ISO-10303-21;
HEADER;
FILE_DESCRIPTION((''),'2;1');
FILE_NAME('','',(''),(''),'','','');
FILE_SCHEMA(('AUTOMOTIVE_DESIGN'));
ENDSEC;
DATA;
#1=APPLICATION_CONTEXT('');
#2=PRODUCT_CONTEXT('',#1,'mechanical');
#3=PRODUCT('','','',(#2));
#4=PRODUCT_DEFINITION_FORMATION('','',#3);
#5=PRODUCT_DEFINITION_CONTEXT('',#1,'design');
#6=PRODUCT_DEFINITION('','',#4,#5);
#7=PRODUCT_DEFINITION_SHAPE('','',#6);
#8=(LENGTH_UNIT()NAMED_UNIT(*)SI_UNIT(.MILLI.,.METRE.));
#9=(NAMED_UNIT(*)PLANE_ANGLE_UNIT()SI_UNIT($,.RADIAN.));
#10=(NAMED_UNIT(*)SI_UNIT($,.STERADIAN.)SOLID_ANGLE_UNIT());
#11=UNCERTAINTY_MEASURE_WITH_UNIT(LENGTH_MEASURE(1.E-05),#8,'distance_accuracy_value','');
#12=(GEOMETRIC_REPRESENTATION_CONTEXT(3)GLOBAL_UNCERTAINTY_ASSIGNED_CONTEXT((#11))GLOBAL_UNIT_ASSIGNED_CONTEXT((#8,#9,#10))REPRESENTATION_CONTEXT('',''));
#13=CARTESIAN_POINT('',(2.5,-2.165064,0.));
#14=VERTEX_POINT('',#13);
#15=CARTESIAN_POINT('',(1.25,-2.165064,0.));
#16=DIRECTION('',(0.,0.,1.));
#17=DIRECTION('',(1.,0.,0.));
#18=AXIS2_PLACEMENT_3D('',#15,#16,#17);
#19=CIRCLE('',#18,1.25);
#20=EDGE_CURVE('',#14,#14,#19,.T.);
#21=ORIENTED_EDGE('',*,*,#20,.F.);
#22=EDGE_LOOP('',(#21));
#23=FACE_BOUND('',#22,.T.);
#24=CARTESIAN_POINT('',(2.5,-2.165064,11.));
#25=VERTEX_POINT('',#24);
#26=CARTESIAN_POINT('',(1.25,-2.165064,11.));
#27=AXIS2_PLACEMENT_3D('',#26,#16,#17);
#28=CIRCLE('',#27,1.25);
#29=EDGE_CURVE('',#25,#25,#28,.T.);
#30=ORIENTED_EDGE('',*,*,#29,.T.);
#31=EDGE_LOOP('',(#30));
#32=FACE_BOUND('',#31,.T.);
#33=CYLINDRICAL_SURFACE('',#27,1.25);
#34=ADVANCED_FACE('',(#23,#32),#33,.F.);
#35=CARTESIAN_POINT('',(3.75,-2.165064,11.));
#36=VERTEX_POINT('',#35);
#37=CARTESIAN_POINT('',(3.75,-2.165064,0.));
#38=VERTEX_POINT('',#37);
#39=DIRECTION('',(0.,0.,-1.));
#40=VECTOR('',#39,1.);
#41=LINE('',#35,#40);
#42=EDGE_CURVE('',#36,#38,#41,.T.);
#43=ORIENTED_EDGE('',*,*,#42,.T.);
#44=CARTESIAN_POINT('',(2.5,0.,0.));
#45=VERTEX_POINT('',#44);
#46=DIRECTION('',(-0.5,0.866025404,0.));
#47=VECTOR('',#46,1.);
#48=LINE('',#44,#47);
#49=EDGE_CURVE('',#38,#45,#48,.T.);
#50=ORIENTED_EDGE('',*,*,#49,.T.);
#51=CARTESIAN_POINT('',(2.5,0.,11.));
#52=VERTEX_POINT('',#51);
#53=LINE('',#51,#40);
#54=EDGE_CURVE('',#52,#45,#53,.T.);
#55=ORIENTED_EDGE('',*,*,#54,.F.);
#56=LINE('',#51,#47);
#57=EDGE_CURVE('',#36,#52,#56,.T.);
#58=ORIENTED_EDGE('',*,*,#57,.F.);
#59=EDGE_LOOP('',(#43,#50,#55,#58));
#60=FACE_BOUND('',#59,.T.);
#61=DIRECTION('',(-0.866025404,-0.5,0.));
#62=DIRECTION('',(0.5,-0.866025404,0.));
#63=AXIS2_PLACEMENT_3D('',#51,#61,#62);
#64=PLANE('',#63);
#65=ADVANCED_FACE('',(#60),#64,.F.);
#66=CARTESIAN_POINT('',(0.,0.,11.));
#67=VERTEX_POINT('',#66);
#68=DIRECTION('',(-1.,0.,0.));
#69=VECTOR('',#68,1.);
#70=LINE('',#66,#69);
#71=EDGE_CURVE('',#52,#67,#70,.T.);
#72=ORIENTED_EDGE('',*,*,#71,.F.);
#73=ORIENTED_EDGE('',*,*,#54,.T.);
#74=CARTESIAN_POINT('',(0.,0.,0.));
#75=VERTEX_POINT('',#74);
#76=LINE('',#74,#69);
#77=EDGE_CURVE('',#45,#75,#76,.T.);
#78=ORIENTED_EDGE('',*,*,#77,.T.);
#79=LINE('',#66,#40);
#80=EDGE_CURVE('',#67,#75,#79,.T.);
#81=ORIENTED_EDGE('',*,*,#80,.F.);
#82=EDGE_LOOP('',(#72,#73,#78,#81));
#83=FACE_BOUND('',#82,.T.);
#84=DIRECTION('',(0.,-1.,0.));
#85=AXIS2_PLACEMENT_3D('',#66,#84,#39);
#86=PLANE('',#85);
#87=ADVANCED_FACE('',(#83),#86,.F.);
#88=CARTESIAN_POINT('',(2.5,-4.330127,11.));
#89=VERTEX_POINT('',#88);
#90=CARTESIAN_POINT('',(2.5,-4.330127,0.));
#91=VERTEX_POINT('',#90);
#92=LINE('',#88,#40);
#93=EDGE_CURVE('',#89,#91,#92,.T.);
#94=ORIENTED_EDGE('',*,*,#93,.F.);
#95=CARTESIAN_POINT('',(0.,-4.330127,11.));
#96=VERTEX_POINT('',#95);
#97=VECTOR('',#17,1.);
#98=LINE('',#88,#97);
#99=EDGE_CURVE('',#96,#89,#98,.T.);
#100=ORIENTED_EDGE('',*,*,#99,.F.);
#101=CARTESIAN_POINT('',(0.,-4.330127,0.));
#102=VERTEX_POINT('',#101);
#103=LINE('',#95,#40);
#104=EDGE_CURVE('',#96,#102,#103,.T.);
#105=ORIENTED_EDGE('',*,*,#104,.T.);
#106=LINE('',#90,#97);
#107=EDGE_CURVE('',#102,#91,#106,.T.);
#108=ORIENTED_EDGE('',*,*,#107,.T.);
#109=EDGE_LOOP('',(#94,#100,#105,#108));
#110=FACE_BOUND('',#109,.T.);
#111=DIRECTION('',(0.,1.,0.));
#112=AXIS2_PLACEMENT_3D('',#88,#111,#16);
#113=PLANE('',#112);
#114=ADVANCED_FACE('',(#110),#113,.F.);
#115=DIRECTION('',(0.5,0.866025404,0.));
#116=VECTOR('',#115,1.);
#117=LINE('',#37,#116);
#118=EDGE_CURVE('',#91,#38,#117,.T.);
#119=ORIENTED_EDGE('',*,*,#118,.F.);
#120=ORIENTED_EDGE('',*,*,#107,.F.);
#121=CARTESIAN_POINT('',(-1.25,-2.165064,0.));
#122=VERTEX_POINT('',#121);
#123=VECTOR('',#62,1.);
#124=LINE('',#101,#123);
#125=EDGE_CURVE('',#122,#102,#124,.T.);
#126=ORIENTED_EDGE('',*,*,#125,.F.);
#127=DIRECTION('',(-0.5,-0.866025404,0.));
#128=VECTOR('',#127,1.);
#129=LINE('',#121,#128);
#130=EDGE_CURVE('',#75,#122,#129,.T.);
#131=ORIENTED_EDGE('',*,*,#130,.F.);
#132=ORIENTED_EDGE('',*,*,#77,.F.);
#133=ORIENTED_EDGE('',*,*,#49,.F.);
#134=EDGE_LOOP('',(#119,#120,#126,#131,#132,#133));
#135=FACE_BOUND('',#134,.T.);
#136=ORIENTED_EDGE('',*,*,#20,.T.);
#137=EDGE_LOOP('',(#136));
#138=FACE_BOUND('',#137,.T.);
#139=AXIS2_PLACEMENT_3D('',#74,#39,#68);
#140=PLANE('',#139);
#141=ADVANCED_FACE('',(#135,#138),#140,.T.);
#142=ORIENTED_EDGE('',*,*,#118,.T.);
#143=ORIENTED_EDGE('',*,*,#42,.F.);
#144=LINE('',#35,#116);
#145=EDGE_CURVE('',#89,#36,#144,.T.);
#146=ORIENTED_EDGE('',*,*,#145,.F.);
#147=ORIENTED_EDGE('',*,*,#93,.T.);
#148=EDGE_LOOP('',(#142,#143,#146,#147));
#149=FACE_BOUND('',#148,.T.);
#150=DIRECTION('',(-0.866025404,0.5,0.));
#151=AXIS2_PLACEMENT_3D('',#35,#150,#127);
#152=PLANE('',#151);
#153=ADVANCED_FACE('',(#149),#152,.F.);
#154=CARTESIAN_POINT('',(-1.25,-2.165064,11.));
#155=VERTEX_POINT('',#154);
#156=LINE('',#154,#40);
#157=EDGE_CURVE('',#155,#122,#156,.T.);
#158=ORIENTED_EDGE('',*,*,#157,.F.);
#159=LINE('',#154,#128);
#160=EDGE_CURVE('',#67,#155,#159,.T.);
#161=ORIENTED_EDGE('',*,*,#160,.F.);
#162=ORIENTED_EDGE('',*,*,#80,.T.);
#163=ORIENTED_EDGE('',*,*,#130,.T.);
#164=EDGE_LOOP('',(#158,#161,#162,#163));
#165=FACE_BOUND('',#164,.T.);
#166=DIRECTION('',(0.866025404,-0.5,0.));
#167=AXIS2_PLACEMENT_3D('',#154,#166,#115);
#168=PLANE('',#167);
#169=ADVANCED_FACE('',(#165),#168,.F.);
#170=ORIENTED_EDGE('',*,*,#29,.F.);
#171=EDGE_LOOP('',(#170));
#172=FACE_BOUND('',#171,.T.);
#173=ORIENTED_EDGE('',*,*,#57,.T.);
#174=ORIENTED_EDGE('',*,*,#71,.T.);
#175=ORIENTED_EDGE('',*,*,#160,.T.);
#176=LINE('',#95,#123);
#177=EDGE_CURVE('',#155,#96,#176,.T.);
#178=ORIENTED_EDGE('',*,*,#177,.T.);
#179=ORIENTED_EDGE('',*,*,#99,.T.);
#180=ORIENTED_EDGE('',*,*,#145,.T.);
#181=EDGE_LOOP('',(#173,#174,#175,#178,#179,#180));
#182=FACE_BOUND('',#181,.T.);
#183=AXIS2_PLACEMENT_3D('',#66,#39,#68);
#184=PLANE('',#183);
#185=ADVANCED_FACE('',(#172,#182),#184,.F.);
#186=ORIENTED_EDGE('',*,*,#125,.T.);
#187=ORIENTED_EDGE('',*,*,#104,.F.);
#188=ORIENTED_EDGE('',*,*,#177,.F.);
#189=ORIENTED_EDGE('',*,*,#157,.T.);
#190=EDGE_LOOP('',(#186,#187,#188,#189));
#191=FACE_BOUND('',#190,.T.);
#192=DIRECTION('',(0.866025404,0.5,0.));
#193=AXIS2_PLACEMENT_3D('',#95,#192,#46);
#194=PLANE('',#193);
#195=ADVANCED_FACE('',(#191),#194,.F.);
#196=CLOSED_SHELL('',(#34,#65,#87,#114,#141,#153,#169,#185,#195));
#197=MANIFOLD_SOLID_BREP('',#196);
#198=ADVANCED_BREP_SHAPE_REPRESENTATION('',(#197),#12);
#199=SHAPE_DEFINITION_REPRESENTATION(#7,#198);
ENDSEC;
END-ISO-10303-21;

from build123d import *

# Parameters (mm, degrees)
EXTRUDE_1_DEPTH    = 11
HOLE_WIZARD_M3_1_D = 2.5


with BuildPart() as part:
    # 草图1 → 凸台-拉伸1 (new body)
    with BuildSketch(Plane.XY):
        Polygon((0, 0), (2.5, 0), (3.75, -2.165063509), (2.5, -4.330127019), (0, -4.330127019), (-1.25, -2.165063509), align=None)
    extrude(amount=EXTRUDE_1_DEPTH)

    # M3 螺纹孔1 (through all)
    with Locations(Plane.XY.offset(11)):
        with Locations((1.25, -2.165063509)):
            Hole(HOLE_WIZARD_M3_1_D / 2)


solid = part.part
